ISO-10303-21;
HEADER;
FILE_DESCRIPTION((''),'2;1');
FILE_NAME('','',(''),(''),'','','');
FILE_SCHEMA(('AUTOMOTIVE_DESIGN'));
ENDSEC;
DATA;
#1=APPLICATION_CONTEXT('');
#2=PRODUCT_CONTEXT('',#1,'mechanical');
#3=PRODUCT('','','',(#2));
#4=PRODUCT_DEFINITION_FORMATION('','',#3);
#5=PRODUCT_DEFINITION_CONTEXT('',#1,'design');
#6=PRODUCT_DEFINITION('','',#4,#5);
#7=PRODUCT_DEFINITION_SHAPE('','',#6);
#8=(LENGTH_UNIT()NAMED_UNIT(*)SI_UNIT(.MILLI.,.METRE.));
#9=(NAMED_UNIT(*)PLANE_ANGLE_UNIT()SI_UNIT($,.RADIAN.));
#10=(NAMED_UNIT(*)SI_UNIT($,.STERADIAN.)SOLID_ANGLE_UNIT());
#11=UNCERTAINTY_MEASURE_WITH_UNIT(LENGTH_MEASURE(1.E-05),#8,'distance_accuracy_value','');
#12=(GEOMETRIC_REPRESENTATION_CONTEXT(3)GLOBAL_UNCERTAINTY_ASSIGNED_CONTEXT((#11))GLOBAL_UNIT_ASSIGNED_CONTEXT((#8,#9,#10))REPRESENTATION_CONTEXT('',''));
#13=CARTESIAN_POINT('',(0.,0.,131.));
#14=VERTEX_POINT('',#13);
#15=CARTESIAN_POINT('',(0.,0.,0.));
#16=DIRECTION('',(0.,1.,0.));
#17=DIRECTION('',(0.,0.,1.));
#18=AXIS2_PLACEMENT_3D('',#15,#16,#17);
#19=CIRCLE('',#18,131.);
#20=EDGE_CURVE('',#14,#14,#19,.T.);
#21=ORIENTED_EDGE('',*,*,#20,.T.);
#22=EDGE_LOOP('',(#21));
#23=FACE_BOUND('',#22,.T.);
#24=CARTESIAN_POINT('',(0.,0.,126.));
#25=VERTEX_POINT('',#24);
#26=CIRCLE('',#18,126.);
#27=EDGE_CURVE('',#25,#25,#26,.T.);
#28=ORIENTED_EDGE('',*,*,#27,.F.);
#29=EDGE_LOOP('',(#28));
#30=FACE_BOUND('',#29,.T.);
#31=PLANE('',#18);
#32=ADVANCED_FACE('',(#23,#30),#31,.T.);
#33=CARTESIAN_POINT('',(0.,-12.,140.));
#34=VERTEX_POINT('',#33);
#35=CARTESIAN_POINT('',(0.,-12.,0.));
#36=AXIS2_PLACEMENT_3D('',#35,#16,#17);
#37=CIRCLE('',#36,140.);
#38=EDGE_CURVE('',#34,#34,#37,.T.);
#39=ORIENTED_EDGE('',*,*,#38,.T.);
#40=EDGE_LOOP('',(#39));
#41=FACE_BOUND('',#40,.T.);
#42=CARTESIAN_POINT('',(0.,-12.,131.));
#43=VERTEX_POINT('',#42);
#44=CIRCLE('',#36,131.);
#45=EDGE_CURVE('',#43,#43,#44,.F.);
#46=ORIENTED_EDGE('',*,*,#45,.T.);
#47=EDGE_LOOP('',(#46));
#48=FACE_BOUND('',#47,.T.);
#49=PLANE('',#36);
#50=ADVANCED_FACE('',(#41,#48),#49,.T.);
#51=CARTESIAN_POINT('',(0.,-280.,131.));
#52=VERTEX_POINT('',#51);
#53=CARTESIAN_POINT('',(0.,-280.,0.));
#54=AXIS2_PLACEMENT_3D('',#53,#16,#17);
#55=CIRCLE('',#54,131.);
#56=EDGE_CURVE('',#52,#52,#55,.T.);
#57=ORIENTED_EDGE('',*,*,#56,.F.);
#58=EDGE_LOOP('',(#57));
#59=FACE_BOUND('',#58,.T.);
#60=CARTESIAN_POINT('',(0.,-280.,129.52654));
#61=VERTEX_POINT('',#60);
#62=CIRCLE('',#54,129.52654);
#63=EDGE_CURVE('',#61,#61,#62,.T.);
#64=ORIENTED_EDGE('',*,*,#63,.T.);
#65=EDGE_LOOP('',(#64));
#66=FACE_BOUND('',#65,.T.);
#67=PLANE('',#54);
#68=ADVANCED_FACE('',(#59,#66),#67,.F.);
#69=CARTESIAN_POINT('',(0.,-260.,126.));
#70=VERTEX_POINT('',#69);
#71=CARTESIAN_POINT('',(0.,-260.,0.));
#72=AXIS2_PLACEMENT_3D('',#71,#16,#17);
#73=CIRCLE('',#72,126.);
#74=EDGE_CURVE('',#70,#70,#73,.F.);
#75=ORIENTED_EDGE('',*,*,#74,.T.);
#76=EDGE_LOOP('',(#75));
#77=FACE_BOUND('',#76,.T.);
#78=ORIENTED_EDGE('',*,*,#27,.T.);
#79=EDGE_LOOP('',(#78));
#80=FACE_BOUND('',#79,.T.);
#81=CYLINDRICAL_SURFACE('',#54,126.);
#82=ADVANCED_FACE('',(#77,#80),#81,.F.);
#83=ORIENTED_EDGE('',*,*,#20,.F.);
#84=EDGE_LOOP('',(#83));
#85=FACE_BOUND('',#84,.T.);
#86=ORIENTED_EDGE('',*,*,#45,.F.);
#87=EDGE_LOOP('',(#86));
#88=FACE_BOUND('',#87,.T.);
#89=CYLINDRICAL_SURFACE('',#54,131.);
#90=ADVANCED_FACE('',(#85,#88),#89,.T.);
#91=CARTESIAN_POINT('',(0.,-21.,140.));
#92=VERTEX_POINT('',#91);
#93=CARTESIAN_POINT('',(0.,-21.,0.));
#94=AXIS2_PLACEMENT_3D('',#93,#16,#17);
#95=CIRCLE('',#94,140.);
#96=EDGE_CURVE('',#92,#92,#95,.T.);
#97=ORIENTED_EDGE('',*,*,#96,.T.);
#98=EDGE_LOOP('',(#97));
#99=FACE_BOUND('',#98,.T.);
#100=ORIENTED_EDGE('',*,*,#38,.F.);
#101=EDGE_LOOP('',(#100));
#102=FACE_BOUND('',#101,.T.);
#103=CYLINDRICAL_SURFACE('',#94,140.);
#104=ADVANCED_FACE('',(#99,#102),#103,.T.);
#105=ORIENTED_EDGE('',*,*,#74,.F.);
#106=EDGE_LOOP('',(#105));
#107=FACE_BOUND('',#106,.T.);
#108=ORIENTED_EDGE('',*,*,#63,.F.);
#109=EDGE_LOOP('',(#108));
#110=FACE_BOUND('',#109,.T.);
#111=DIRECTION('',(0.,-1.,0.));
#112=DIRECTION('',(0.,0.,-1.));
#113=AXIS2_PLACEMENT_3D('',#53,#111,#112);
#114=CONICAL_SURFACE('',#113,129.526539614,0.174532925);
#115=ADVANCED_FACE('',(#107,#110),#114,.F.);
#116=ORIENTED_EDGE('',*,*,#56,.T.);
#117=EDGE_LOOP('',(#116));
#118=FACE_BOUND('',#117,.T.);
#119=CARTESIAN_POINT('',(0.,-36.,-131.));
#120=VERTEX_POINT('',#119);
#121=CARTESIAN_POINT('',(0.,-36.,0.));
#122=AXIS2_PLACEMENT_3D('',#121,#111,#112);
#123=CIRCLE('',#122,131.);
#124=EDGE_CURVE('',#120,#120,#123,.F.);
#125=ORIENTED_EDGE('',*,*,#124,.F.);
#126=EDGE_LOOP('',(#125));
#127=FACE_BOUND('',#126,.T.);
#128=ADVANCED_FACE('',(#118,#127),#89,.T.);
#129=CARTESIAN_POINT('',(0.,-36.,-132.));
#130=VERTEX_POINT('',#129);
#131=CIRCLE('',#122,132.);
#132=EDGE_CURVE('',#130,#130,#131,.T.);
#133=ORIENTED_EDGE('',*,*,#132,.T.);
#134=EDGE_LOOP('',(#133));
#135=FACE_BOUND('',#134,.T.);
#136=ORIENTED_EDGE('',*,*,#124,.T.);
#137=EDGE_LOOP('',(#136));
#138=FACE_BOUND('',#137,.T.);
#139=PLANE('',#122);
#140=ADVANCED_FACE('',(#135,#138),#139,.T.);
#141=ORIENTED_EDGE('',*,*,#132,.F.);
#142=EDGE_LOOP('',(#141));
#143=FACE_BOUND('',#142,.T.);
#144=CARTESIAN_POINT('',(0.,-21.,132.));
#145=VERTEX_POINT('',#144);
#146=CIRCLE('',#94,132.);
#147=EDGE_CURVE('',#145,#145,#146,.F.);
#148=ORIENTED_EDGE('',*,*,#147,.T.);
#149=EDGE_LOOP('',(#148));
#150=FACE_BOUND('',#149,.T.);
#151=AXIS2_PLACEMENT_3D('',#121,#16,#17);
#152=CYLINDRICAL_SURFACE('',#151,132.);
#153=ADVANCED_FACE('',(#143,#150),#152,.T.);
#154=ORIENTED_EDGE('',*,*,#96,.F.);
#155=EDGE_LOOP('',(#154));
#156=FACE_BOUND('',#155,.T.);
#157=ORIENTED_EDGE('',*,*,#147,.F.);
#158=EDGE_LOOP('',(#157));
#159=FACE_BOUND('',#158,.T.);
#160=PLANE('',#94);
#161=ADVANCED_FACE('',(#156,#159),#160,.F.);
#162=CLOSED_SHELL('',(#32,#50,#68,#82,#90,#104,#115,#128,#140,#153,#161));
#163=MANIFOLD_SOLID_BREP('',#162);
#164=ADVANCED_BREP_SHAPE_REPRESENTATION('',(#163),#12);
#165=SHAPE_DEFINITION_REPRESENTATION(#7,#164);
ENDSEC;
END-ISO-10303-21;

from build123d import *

# Parameters (mm, degrees)
SKETCH1_R           = 131
SKETCH1_R_2         = 126
BOSS_EXTRUDE1_DEPTH = 280
SKETCH4_R           = 140
SKETCH4_R_2         = 131
BOSS_EXTRUDE2_DEPTH = 9
CHAMFER1_SIZE       = 20
CHAMFER1_SIZE2      = 3.526539614
SKETCH5_R           = 132
SKETCH5_R_2         = 131
BOSS_EXTRUDE3_DEPTH = 15


with BuildPart() as part:
    # Sketch1 → Boss-Extrude1 (new body)
    with BuildSketch(Plane(origin=(0, 0, 0), x_dir=(1, 0, 0), z_dir=(0, 1, 0))):
        Circle(SKETCH1_R)
        Circle(SKETCH1_R_2, mode=Mode.SUBTRACT)
    extrude(amount=-BOSS_EXTRUDE1_DEPTH)

    # Sketch4 → Boss-Extrude2 (add)
    with BuildSketch(Plane(origin=(0, -12, 0), x_dir=(1, 0, 0), z_dir=(0, 1, 0))):
        Circle(SKETCH4_R)
        Circle(SKETCH4_R_2, mode=Mode.SUBTRACT)
    extrude(amount=-BOSS_EXTRUDE2_DEPTH)

    # Chamfer1
    chamfer1_edges = [part.edges().sort_by_distance(p)[0] for p in [
        (-126, -280, 0),
    ]]
    chamfer1_side = [part.faces().sort_by_distance(p)[0] for p in [
        (-126, -140, 0),
    ]]
    chamfer(chamfer1_edges, length=CHAMFER1_SIZE, length2=CHAMFER1_SIZE2, reference=chamfer1_side[0])

    # Sketch5 → Boss-Extrude3 (add)
    with BuildSketch(Plane.XZ.offset(21)):
        Circle(SKETCH5_R)
        Circle(SKETCH5_R_2, mode=Mode.SUBTRACT)
    extrude(amount=BOSS_EXTRUDE3_DEPTH)


solid = part.part
